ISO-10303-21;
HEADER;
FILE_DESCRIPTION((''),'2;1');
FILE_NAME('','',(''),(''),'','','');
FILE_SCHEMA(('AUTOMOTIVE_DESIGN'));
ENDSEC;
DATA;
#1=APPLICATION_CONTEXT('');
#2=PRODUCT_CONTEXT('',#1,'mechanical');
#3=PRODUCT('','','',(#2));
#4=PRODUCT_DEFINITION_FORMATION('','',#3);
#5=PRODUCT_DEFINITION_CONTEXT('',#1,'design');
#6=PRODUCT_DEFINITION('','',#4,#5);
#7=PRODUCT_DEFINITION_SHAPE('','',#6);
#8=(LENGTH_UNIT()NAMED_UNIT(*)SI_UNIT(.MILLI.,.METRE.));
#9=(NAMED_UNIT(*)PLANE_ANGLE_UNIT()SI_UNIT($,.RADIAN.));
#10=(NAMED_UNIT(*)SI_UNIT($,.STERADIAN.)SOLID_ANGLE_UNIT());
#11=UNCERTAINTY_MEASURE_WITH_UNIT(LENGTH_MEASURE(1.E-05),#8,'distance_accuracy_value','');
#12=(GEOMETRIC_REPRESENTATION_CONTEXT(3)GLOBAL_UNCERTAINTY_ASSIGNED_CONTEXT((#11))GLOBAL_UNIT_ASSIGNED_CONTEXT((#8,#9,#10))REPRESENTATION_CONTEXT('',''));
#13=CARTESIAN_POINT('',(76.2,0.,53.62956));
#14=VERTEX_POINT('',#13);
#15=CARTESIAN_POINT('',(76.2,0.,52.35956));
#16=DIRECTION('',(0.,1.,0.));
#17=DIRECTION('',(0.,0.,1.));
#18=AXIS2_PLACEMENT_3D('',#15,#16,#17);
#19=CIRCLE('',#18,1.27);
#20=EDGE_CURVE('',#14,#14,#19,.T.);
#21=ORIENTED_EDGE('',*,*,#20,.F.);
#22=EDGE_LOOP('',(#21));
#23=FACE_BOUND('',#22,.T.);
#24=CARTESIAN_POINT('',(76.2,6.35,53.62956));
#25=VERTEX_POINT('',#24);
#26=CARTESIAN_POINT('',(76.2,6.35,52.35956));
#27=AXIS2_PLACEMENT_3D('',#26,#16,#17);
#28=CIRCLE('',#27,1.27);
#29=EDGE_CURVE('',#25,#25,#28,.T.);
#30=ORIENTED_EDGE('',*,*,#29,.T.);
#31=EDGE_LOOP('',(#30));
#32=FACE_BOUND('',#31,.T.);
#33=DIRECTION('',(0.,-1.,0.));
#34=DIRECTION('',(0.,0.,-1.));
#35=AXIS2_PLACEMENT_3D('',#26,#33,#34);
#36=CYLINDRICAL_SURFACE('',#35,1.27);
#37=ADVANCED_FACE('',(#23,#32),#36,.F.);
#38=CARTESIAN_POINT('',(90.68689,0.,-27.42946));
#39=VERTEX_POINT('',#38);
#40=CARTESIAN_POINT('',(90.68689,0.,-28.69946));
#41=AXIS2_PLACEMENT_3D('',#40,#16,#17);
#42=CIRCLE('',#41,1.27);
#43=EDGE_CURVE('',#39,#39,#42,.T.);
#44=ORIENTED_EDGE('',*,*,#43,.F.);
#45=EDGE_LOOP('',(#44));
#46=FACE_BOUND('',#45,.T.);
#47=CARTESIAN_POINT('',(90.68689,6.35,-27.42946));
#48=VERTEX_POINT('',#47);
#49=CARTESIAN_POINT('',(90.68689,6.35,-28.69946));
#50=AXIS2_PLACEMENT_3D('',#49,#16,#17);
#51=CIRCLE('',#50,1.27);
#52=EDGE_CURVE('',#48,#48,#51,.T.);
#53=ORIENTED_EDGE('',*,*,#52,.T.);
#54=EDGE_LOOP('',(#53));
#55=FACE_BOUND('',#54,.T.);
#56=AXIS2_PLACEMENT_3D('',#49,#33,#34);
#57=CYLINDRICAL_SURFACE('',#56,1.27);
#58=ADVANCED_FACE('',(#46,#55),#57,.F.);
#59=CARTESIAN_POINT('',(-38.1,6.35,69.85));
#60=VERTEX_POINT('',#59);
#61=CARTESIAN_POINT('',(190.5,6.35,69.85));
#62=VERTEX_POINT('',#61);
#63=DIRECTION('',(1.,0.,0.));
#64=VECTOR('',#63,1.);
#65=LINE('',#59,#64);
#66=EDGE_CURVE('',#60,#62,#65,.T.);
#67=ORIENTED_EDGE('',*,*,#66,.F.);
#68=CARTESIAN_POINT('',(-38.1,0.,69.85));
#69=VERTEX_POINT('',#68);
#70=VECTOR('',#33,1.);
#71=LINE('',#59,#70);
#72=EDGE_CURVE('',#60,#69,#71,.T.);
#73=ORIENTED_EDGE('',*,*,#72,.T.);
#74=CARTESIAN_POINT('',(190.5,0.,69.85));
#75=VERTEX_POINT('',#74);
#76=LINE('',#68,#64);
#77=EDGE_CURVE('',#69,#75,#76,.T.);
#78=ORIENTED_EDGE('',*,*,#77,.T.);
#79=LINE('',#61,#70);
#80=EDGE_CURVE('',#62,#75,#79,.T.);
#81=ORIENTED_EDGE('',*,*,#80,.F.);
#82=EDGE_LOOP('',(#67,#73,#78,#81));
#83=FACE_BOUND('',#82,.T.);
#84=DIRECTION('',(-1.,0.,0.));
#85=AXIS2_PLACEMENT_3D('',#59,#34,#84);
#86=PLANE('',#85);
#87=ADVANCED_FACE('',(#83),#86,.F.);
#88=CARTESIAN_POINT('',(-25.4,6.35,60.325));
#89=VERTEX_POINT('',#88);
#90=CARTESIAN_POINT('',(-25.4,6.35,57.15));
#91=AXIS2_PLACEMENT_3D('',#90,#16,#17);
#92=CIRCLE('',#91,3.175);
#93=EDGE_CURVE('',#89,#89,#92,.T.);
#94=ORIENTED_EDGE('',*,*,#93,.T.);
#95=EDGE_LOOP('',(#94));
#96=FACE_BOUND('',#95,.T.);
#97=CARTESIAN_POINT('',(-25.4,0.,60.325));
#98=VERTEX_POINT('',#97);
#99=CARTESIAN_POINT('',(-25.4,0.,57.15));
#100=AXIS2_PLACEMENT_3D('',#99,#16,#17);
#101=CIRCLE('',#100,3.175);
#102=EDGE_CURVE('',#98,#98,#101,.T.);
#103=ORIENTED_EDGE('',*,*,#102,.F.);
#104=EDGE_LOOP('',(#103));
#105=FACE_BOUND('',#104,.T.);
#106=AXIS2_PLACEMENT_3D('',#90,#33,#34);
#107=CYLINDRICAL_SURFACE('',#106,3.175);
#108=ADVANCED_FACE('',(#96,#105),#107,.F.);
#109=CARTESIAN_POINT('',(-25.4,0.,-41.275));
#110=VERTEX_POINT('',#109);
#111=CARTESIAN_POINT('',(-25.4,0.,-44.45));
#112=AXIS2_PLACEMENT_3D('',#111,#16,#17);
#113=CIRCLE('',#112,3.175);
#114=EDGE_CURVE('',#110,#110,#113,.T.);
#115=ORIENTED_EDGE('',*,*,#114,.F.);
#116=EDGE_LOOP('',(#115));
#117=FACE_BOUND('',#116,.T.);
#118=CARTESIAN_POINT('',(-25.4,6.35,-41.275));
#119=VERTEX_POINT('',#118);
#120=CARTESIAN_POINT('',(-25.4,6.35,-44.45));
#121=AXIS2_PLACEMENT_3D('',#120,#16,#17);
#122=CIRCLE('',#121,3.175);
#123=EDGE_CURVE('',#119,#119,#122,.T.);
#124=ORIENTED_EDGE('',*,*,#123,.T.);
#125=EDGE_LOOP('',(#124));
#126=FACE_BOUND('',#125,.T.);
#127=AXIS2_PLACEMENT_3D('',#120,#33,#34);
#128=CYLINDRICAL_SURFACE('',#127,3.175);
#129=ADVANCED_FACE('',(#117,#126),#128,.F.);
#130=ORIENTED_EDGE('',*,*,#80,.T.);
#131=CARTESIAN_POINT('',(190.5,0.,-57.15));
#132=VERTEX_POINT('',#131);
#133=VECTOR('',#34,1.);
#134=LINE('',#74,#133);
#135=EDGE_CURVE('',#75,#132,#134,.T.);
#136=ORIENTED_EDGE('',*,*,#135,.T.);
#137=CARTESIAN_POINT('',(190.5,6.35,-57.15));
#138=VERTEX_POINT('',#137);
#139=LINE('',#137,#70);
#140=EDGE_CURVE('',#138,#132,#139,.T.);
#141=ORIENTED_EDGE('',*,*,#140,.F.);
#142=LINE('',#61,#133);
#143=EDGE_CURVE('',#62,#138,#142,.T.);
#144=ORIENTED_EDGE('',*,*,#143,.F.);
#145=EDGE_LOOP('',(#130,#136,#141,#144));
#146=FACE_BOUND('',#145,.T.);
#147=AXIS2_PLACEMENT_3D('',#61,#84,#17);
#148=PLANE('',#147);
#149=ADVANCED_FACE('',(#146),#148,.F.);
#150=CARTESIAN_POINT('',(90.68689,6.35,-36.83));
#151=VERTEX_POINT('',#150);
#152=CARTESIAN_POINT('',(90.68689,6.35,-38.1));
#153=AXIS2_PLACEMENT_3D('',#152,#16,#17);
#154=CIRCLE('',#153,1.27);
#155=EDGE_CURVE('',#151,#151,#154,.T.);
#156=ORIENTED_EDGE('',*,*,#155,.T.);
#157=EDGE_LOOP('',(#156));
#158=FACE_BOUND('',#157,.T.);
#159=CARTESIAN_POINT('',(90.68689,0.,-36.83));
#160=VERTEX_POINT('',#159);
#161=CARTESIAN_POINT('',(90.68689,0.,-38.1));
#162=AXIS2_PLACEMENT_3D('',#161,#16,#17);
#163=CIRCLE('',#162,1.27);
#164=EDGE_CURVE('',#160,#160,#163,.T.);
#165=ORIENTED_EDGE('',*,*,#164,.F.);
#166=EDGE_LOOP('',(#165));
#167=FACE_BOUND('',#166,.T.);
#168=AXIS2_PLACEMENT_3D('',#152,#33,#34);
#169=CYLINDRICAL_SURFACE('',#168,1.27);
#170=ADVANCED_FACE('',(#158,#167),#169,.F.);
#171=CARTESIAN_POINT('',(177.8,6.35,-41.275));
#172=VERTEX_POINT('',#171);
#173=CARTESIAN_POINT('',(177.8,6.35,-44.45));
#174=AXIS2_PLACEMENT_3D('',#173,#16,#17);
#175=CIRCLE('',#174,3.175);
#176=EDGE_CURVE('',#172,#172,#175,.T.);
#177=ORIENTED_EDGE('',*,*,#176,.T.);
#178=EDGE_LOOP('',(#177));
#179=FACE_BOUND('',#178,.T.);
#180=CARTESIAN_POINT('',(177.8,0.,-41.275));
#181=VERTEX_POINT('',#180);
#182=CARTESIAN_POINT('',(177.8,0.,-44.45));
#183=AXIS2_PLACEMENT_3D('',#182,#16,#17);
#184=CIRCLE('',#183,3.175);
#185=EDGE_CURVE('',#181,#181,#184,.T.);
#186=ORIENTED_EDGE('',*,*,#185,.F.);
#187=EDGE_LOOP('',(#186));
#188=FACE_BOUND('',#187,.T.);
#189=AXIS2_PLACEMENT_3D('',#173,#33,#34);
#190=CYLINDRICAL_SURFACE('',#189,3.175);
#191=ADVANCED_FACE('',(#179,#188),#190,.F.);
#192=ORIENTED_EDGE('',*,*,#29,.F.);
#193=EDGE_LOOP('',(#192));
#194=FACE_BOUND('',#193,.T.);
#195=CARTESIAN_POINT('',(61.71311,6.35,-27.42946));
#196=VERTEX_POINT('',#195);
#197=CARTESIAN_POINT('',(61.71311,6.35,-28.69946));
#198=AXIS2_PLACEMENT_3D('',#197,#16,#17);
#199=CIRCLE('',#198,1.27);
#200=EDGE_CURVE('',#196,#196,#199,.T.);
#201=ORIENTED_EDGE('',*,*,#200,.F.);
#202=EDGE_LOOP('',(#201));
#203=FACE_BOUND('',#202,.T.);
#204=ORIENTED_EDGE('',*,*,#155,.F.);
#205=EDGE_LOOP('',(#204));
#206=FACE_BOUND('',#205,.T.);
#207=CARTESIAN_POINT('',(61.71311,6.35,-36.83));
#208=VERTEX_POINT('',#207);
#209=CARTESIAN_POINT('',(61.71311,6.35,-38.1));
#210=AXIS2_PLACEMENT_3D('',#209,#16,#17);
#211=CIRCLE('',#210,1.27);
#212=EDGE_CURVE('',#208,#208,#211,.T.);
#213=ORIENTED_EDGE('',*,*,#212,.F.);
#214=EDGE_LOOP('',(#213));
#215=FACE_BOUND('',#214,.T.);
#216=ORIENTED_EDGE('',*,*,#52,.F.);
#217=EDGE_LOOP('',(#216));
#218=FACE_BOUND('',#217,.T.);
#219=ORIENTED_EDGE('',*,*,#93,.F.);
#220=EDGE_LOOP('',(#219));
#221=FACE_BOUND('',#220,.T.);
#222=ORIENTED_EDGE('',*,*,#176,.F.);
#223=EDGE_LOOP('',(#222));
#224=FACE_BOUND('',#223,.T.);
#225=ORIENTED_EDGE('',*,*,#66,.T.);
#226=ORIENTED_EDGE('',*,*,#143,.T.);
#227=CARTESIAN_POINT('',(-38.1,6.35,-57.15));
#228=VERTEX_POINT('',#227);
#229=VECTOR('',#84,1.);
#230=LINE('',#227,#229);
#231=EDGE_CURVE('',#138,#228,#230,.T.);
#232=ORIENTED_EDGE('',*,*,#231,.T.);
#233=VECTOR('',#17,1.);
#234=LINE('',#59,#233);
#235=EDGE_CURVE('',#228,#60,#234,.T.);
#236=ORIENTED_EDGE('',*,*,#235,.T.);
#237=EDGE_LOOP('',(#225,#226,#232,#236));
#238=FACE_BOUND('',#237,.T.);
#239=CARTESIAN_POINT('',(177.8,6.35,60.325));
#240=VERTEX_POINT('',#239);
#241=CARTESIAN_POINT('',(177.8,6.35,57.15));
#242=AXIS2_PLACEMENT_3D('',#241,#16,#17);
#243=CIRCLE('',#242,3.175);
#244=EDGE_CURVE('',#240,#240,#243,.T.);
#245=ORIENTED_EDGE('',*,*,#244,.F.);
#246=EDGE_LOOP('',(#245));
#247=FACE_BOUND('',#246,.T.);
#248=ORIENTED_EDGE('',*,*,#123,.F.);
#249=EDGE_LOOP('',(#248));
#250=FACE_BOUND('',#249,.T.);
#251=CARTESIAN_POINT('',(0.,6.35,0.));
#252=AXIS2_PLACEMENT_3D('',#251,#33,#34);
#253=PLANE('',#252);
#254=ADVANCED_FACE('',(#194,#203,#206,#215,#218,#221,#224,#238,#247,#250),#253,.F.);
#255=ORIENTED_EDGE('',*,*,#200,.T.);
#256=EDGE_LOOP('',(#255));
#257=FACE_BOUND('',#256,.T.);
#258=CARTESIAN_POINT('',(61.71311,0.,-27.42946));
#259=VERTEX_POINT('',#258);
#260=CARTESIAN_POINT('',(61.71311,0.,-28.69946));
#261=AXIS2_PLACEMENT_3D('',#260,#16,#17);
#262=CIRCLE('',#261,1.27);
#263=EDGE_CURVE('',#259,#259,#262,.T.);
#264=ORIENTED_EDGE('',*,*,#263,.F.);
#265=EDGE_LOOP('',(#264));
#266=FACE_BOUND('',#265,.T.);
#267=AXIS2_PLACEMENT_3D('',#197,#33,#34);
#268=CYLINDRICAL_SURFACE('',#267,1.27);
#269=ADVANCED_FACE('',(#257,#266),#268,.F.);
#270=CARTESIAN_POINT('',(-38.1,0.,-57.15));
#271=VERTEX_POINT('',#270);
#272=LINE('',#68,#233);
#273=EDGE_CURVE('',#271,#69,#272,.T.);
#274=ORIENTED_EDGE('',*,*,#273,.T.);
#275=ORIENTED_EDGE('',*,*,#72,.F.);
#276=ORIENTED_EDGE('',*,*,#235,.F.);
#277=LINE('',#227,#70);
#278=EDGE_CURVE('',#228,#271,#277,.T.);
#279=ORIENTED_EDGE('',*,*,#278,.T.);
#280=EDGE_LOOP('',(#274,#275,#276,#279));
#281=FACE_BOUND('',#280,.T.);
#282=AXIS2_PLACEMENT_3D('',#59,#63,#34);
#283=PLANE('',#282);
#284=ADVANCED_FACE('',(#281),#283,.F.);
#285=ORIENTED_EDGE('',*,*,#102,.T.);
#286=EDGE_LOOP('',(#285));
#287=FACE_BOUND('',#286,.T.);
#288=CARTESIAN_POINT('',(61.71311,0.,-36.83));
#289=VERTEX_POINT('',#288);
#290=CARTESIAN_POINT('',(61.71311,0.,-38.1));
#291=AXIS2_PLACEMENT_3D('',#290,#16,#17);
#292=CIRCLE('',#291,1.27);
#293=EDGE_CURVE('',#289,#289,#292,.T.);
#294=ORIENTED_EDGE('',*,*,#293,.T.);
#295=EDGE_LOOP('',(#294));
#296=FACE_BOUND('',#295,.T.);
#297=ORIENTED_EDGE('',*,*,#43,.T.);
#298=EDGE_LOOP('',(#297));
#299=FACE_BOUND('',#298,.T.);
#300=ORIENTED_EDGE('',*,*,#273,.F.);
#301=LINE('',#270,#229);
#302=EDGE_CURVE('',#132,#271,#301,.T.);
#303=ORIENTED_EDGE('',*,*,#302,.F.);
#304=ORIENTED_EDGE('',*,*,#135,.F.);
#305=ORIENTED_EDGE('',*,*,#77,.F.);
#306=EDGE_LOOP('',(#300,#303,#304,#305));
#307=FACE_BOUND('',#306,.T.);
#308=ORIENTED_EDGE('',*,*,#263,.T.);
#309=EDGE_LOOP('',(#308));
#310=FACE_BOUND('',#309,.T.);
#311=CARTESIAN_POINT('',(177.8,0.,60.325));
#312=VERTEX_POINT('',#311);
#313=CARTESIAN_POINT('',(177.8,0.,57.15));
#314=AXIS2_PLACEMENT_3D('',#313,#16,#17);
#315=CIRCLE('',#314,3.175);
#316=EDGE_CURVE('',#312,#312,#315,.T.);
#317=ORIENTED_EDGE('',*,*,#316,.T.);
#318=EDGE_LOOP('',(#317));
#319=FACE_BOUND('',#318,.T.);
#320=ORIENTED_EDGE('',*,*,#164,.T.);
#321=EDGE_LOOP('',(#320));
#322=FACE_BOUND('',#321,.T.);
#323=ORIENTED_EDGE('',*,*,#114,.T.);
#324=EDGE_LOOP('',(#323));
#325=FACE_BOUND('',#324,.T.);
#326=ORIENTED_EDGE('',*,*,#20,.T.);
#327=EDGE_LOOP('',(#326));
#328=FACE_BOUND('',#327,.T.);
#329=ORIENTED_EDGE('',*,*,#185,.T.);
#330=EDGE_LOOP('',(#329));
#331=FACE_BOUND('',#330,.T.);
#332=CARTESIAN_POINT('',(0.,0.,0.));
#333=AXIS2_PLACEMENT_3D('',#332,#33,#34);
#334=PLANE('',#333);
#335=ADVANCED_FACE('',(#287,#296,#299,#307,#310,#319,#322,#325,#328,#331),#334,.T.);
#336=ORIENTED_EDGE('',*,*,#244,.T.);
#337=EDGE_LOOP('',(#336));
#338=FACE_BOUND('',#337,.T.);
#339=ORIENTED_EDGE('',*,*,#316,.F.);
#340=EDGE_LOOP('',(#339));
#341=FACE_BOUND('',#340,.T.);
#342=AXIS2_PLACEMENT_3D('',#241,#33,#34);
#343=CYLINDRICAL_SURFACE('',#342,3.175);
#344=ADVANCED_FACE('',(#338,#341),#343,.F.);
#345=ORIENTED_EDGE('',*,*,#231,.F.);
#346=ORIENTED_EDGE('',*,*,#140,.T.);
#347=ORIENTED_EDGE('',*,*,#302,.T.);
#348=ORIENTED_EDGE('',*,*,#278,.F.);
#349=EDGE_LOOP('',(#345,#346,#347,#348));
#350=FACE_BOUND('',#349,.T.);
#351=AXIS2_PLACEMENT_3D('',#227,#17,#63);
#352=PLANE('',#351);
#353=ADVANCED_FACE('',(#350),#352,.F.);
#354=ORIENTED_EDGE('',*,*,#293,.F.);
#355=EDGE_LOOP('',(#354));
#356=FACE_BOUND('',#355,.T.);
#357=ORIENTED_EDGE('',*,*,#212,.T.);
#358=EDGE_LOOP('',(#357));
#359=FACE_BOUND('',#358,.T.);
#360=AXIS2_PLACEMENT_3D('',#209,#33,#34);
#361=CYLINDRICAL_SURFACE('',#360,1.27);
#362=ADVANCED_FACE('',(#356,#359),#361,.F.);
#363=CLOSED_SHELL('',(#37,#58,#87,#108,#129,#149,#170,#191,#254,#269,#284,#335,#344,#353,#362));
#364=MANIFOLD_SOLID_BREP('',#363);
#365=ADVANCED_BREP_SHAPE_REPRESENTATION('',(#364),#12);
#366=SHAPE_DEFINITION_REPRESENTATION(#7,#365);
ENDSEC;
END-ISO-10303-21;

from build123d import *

# Parameters (mm, degrees)
SKETCH1_W           = 228.6
SKETCH1_H           = 127
SKETCH1_R           = 1.27
SKETCH1_R_2         = 3.175
BOSS_EXTRUDE1_DEPTH = 6.35


with BuildPart() as part:
    # Sketch1 → Boss-Extrude1 (new body)
    with BuildSketch(Plane(origin=(0, 0, 0), x_dir=(1, 0, 0), z_dir=(0, 1, 0))):
        with Locations((76.2, -6.35)):
            Rectangle(SKETCH1_W, SKETCH1_H)
        with Locations(Location((61.71311, 38.1, 0), (0, 0, 270))):
            Circle(SKETCH1_R, mode=Mode.SUBTRACT)
        with Locations(Location((90.68689, 38.1, 0), (0, 0, 270))):
            Circle(SKETCH1_R, mode=Mode.SUBTRACT)
        with Locations(Location((76.2, -52.35956, 0), (0, 0, 270))):
            Circle(SKETCH1_R, mode=Mode.SUBTRACT)
        with Locations(Location((61.71311, 28.69946, 0), (0, 0, 270))):
            Circle(SKETCH1_R, mode=Mode.SUBTRACT)
        with Locations(Location((90.68689, 28.69946, 0), (0, 0, 270))):
            Circle(SKETCH1_R, mode=Mode.SUBTRACT)
        with Locations(Location((-25.4, 44.45, 0), (0, 0, 270))):
            Circle(SKETCH1_R_2, mode=Mode.SUBTRACT)
        with Locations(Location((177.8, 44.45, 0), (0, 0, 270))):
            Circle(SKETCH1_R_2, mode=Mode.SUBTRACT)
        with Locations(Location((177.8, -57.15, 0), (0, 0, 270))):
            Circle(SKETCH1_R_2, mode=Mode.SUBTRACT)
        with Locations(Location((-25.4, -57.15, 0), (0, 0, 270))):
            Circle(SKETCH1_R_2, mode=Mode.SUBTRACT)
    extrude(amount=BOSS_EXTRUDE1_DEPTH)


solid = part.part
